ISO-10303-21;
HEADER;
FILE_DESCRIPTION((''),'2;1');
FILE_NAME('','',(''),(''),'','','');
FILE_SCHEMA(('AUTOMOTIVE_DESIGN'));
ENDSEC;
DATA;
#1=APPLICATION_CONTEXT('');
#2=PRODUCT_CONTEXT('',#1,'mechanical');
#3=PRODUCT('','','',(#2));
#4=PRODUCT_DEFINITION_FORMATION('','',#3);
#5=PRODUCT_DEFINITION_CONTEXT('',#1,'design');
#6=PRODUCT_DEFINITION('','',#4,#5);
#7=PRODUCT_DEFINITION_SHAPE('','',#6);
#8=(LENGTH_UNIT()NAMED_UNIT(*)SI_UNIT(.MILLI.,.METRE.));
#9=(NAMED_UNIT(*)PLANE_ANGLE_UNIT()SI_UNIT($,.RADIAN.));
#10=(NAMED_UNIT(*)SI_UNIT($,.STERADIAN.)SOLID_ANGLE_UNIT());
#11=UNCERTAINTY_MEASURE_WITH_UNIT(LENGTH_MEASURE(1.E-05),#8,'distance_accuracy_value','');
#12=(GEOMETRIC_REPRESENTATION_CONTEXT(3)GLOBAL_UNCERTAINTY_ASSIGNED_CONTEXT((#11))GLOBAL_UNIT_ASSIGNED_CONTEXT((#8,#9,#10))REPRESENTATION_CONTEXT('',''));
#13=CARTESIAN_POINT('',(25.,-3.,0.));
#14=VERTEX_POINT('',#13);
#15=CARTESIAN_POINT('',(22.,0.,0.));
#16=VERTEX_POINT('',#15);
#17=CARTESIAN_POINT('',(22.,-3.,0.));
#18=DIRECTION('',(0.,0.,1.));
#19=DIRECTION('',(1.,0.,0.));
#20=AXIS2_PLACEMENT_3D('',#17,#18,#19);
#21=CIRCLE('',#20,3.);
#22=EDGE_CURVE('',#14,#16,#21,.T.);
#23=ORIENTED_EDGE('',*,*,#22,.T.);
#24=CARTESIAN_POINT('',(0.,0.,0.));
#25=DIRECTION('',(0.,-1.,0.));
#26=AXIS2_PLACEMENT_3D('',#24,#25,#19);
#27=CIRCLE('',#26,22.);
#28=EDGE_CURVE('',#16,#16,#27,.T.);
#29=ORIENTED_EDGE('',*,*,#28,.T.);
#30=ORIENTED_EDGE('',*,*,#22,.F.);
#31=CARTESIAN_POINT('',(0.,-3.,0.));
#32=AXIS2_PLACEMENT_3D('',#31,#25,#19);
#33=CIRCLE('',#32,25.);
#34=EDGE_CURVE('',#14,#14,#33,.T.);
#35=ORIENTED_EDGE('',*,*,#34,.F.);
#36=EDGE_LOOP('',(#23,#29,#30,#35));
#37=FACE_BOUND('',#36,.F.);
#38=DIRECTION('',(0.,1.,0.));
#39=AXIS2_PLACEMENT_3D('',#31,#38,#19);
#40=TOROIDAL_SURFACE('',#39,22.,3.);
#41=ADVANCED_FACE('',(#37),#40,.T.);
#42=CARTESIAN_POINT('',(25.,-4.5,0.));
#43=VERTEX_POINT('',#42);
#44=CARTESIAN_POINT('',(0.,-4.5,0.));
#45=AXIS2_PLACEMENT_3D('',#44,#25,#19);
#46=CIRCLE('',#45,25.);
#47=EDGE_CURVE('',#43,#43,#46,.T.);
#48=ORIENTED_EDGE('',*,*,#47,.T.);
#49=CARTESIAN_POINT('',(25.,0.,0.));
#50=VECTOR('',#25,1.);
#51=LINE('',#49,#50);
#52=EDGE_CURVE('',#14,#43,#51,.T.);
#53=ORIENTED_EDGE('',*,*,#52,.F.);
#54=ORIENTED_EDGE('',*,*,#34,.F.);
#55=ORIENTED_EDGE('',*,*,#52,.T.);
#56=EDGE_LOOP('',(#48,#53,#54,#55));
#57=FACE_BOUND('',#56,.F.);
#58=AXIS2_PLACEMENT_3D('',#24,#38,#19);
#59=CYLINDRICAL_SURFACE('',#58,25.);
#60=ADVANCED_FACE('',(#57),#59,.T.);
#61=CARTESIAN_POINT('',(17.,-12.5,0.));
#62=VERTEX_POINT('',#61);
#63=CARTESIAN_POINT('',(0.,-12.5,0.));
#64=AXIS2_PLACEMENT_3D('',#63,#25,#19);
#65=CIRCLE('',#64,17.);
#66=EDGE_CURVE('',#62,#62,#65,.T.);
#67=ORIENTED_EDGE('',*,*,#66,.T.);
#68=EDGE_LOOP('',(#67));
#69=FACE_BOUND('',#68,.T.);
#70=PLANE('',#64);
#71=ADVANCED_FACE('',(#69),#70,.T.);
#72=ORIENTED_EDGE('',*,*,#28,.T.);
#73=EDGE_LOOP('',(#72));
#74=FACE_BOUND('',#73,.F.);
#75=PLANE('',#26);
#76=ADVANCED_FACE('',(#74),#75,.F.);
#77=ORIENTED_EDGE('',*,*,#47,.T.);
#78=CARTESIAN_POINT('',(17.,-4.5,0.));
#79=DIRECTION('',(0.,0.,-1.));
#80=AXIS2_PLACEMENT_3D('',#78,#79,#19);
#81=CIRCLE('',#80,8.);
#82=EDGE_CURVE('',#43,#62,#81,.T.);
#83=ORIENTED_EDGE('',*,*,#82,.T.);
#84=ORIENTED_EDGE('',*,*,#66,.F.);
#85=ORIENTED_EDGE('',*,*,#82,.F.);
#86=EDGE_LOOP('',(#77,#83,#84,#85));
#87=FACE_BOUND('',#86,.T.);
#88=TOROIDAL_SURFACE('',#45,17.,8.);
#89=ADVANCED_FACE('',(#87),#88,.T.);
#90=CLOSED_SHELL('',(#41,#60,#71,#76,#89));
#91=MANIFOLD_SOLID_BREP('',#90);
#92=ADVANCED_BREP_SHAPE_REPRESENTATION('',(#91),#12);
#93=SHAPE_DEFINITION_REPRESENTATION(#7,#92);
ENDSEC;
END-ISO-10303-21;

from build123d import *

# Parameters (mm, degrees)
CYLINDER006_R     = 25
CYLINDER006_DEPTH = 12.5
FILLET007_1_R     = 8
FILLET007_2_R     = 3


with BuildPart() as part:
    # Cylinder006 → Cylinder006 (new body)
    with BuildSketch(Plane.XZ):
        Circle(CYLINDER006_R)
    extrude(amount=CYLINDER006_DEPTH)

    # Fillet007 1
    fillet007_1_edges = [part.edges().sort_by_distance(p)[0] for p in [
        (-25, -12.5, 0),
    ]]
    fillet(fillet007_1_edges, radius=FILLET007_1_R)

    # Fillet007 2
    fillet007_2_edges = [part.edges().sort_by_distance(p)[0] for p in [
        (-25, 0, 0),
    ]]
    fillet(fillet007_2_edges, radius=FILLET007_2_R)


solid = part.part
